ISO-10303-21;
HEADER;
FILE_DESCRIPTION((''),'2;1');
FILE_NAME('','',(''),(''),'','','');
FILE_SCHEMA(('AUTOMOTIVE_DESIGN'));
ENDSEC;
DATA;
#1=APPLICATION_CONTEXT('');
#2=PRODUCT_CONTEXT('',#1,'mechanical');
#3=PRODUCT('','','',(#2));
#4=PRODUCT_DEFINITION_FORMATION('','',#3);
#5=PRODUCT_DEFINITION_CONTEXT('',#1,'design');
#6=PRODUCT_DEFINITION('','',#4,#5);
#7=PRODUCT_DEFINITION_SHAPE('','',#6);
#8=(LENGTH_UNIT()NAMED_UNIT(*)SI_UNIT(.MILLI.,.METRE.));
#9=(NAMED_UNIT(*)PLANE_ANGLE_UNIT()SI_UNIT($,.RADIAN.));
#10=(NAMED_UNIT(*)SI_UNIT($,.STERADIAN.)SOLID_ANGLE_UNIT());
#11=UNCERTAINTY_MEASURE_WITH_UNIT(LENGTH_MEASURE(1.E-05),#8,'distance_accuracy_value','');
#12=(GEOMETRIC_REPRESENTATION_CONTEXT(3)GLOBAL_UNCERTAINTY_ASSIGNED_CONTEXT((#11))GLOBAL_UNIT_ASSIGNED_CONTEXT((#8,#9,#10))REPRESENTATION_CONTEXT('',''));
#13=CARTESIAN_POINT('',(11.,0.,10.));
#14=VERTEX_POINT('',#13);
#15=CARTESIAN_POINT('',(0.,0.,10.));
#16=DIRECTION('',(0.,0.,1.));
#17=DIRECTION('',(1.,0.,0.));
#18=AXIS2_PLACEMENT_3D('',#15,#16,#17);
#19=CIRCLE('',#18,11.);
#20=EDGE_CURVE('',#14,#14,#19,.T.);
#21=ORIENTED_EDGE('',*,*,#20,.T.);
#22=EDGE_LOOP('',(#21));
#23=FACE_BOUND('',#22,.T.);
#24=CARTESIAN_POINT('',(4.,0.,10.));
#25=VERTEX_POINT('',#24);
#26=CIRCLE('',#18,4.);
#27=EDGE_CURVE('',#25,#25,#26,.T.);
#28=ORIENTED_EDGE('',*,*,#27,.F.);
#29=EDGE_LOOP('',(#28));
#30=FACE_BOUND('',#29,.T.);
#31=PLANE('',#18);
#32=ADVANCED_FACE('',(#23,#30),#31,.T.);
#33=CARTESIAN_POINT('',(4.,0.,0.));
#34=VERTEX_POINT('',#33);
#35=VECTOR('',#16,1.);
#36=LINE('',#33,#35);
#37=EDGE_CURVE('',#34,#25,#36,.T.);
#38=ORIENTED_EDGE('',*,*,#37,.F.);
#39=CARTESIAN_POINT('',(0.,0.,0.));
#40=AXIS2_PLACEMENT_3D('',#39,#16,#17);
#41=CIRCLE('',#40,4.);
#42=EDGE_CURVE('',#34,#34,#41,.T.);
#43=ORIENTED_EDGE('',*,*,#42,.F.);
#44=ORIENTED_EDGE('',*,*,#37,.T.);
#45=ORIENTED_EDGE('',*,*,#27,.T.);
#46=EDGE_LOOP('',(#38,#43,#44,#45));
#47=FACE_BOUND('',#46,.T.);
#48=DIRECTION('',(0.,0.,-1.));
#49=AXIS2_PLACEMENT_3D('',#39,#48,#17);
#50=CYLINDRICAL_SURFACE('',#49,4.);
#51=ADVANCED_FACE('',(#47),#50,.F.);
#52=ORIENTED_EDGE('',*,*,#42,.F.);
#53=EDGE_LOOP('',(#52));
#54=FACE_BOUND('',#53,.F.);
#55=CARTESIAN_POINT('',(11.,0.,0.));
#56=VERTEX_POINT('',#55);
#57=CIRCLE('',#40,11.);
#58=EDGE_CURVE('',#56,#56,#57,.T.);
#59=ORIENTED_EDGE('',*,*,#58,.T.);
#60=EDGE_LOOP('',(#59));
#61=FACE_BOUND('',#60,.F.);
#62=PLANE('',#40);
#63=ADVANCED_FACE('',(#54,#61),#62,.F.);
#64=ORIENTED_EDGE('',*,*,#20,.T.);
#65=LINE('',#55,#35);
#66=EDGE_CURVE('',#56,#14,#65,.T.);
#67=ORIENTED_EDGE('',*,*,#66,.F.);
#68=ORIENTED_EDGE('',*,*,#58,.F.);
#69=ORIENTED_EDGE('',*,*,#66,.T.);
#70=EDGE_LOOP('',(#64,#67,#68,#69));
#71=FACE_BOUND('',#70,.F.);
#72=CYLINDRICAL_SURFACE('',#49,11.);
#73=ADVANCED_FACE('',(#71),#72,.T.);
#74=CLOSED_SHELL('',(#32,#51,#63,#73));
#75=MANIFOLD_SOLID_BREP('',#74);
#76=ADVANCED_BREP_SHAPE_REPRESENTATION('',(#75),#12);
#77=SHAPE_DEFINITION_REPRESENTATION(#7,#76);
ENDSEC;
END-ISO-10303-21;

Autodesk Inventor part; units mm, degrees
ref_plane "YZ Plane" through (0, 0, 0) normal (1, 0, 0) x (0, 1, 0)
ref_plane "XZ Plane" through (0, 0, 0) normal (0, 1, 0) x (-1, 0, 0)
ref_plane "XY Plane" through (0, 0, 0) normal (0, 0, 1) x (1, 0, 0)
sketch "草圖9" plane through (0, 0, 0) normal (0, 0, 1) x (1, 0, 0)
  circle A0 centre (0, 0) radius 4
  circle A1 centre (0, 0) radius 11
  dimension "d34" = 8
  dimension "d35" = 22
extrude "擠出9" add sketch "草圖9" along normal blind 10
equation "\"模數\" = 0.9"
equation "\"PressureAngle\" = 20deg"
equation "\"UnitProfileClearance\" = 0.25"
equation "\"UnitRoundRadius\" = 0.35"
equation "\"HeadDiameter\" = 26.08158"
equation "\"RootDiameter\" = 22.05"
equation "\"BaseDiameter\" = 22.83453"
equation "\"PitchDiameter\" = 24.3"
equation "\"HelixAngle\" = 0"
equation "\"UnitCorrection\" = 0"
equation "\"UnitAddendumModification\" = 0.010235"
equation "\"CircularPitch\" = 2.82743"
equation "\"UnitBacklashShift\" = 0"
equation "\"TotalToolShift\" = 0"
equation "\"IsInternal\" = 0"
properties part number "gear_pin_0824" material "不鏽鋼"
